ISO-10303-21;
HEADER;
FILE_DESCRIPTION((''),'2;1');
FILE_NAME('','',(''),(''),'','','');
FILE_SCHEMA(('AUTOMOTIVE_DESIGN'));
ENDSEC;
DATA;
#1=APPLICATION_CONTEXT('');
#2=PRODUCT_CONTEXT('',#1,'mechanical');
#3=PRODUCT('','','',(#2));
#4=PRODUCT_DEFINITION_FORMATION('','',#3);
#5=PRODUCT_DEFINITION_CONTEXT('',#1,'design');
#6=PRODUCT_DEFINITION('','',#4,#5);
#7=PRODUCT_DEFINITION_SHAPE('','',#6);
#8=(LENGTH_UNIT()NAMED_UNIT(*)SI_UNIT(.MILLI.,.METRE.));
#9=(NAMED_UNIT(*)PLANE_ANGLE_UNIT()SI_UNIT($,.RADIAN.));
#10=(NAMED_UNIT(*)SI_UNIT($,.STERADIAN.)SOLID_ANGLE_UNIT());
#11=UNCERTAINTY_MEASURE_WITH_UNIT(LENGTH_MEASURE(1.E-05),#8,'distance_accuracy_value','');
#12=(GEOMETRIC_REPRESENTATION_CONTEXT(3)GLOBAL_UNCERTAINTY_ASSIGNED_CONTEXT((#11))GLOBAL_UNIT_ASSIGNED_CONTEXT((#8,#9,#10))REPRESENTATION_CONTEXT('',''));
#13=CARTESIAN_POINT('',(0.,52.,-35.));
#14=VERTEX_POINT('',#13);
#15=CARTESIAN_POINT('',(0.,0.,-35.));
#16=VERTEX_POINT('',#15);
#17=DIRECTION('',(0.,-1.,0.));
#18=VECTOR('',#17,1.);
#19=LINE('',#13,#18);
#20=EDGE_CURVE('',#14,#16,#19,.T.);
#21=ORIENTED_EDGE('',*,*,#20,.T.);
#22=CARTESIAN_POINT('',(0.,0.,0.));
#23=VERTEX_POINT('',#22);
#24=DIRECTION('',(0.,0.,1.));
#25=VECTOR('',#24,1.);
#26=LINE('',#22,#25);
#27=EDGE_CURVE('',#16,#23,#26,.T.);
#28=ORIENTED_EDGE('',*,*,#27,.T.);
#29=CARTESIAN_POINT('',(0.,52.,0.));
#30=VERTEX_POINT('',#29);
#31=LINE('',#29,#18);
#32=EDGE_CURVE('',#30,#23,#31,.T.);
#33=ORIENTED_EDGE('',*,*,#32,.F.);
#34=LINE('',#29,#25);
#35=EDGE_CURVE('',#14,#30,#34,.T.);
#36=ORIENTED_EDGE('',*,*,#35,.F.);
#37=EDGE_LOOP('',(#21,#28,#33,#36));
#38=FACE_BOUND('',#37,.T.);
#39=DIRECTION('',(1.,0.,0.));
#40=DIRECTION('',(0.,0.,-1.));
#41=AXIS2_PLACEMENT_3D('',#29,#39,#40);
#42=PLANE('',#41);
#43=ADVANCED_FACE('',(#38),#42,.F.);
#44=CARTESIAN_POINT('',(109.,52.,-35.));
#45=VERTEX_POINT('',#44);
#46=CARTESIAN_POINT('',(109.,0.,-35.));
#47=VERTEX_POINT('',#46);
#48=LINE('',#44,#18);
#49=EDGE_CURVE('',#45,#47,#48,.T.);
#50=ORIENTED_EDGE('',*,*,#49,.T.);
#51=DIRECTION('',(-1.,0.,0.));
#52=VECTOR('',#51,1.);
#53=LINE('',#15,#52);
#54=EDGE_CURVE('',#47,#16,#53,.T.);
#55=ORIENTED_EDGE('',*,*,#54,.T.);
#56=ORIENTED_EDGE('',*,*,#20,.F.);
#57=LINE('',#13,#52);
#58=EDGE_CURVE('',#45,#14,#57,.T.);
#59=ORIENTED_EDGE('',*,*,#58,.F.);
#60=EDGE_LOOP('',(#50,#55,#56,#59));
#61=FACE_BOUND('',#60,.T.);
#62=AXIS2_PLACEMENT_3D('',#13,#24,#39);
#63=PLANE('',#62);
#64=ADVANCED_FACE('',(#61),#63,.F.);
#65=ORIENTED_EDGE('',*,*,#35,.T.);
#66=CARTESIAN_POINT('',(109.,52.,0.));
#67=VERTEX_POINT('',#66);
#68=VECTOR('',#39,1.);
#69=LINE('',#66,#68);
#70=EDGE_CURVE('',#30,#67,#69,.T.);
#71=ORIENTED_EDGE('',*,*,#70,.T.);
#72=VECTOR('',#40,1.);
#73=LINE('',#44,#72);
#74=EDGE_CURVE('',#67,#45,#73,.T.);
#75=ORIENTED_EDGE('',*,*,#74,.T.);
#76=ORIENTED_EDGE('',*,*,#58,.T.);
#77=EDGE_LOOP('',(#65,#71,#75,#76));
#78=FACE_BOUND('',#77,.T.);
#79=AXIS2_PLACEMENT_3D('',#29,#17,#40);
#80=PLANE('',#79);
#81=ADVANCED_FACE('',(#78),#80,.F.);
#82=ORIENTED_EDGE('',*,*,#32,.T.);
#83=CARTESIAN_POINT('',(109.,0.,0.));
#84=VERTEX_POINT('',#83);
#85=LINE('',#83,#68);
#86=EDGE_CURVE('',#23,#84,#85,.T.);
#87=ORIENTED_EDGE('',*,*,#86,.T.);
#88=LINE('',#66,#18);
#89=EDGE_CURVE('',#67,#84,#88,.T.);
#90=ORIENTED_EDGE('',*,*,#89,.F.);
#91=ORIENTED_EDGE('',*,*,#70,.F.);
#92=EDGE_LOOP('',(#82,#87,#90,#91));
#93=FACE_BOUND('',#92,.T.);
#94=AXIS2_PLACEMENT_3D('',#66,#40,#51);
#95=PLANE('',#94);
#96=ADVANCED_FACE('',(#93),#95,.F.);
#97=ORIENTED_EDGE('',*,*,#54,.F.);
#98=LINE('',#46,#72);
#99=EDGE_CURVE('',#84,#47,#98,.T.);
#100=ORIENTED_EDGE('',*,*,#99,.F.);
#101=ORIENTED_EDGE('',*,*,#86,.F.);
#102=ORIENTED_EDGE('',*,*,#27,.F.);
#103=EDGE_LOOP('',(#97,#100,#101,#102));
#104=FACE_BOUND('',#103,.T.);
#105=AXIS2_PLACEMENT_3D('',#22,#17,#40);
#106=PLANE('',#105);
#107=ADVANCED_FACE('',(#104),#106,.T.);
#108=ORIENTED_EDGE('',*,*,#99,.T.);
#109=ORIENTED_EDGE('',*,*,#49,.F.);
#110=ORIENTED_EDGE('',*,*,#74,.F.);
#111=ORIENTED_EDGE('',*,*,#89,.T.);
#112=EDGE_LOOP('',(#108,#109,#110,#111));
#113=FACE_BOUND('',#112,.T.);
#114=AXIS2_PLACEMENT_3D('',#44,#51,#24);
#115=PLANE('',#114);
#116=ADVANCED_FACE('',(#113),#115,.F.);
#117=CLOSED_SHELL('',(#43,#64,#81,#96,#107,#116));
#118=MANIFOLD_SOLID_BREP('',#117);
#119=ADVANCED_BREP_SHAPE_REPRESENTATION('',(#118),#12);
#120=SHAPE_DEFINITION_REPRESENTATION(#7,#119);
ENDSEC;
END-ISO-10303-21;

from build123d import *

# Parameters (mm, degrees)
SKETCH_1_W      = 109
SKETCH_1_H      = 35
EXTRUDE_1_DEPTH = 52


with BuildPart() as part:
    # 草图1 → 凸台-拉伸1 (new body)
    with BuildSketch(Plane(origin=(0, 0, 0), x_dir=(1, 0, 0), z_dir=(0, 1, 0))):
        with Locations((54.5, 17.5)):
            Rectangle(SKETCH_1_W, SKETCH_1_H)
    extrude(amount=EXTRUDE_1_DEPTH)


solid = part.part
